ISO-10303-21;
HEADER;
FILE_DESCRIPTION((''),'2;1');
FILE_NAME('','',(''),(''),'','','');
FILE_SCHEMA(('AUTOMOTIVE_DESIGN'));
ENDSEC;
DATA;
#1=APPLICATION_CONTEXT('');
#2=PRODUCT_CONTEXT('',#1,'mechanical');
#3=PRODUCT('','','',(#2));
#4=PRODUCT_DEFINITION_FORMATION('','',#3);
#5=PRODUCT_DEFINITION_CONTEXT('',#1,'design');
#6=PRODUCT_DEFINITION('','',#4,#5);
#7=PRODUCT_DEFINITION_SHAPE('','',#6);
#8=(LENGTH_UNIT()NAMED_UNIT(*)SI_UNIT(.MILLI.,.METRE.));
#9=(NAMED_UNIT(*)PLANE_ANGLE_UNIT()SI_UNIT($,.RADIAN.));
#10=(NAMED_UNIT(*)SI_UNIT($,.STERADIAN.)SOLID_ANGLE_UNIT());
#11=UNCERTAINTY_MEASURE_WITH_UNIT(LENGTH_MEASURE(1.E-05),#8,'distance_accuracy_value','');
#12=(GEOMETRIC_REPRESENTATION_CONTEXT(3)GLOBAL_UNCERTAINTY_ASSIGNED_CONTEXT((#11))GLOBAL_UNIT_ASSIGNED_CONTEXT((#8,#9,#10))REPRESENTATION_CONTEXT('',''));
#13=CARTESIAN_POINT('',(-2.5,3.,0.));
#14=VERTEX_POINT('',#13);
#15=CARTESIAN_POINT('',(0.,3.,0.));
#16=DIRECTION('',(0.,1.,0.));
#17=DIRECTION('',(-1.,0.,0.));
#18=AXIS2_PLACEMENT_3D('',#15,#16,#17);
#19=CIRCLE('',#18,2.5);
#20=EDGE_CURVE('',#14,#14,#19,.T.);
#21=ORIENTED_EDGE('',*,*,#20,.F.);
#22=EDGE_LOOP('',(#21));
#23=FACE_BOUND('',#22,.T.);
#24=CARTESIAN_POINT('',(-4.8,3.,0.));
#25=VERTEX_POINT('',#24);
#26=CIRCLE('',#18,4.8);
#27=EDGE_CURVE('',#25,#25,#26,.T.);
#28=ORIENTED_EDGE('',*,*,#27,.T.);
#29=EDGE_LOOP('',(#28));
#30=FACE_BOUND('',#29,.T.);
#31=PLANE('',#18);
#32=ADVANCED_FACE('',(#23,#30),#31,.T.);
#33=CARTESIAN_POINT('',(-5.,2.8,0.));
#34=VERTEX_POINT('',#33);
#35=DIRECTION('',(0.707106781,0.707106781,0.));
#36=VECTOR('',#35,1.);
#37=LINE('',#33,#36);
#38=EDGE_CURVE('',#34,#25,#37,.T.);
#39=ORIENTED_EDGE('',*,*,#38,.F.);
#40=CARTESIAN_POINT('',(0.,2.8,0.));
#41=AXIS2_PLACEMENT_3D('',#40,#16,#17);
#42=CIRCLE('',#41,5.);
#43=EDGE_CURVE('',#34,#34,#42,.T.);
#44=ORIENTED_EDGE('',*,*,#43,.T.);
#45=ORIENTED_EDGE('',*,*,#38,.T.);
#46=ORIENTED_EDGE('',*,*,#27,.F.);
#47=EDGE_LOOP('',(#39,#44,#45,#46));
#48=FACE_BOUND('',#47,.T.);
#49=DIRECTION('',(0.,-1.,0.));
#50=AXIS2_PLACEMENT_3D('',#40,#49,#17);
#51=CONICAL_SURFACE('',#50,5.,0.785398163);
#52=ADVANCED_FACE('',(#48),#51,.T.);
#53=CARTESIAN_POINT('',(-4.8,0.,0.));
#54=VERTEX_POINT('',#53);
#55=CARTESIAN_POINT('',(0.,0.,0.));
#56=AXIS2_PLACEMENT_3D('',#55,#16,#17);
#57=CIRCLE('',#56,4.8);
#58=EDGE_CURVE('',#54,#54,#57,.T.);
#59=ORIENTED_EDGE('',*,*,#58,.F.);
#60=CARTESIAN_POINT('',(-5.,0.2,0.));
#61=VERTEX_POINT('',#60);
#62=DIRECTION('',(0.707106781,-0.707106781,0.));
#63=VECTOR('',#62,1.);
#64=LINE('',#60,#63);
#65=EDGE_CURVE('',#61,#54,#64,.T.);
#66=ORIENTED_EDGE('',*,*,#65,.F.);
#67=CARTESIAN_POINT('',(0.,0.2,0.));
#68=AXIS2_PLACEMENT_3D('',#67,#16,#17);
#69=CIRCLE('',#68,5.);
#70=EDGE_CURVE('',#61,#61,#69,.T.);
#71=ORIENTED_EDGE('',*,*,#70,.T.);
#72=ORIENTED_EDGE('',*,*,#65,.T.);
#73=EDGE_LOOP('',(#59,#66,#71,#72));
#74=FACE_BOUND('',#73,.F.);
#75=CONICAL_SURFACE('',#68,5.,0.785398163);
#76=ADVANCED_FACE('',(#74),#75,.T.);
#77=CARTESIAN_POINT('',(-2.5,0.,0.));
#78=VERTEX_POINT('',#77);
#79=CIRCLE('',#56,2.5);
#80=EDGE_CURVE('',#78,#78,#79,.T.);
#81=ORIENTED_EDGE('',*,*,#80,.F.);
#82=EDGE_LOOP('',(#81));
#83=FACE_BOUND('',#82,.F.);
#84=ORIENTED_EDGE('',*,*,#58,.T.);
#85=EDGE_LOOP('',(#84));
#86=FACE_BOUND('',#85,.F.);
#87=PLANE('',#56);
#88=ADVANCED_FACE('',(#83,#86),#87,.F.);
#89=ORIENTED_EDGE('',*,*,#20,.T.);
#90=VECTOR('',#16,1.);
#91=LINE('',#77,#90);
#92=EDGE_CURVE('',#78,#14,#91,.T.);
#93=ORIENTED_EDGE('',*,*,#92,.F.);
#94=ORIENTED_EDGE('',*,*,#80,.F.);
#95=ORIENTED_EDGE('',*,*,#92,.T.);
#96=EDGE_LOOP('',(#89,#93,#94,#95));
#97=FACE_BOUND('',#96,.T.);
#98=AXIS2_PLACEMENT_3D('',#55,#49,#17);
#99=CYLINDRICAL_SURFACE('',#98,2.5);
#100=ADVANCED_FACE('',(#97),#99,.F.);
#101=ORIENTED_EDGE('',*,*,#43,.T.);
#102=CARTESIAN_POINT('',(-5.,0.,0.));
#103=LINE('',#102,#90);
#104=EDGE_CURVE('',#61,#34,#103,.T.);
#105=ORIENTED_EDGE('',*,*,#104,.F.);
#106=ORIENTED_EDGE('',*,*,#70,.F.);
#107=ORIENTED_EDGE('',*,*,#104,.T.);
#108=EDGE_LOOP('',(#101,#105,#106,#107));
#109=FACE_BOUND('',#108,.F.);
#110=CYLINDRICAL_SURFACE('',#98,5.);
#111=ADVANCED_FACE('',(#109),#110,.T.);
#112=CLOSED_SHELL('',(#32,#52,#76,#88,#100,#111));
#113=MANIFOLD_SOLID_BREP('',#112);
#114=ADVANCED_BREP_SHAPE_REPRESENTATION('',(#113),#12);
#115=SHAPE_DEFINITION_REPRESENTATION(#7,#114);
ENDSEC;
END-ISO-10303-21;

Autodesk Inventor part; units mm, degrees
ref_plane "YZ Plane" through (0, 0, 0) normal (1, 0, 0) x (0, 1, 0)
ref_plane "XZ Plane" through (0, 0, 0) normal (0, 1, 0) x (-1, 0, 0)
ref_plane "XY Plane" through (0, 0, 0) normal (0, 0, 1) x (1, 0, 0)
sketch "Sketch1" plane through (0, 0, 0) normal (0, 1, 0) x (-1, 0, 0)
  circle A0 centre (0, 0) radius 5
  circle A1 centre (0, 0) radius 2.5
  dimension "d0" = 10
  dimension "d1" = 5
extrude "Extrusion1" add sketch "Sketch1" along normal blind 3
chamfer "Chamfer1" distance 0.2 angle 45 2 edges at (5, 3, 0) (5, 0, 0)
properties part number "Aluminium Spacer 3mm" material "Aluminum 6061"
